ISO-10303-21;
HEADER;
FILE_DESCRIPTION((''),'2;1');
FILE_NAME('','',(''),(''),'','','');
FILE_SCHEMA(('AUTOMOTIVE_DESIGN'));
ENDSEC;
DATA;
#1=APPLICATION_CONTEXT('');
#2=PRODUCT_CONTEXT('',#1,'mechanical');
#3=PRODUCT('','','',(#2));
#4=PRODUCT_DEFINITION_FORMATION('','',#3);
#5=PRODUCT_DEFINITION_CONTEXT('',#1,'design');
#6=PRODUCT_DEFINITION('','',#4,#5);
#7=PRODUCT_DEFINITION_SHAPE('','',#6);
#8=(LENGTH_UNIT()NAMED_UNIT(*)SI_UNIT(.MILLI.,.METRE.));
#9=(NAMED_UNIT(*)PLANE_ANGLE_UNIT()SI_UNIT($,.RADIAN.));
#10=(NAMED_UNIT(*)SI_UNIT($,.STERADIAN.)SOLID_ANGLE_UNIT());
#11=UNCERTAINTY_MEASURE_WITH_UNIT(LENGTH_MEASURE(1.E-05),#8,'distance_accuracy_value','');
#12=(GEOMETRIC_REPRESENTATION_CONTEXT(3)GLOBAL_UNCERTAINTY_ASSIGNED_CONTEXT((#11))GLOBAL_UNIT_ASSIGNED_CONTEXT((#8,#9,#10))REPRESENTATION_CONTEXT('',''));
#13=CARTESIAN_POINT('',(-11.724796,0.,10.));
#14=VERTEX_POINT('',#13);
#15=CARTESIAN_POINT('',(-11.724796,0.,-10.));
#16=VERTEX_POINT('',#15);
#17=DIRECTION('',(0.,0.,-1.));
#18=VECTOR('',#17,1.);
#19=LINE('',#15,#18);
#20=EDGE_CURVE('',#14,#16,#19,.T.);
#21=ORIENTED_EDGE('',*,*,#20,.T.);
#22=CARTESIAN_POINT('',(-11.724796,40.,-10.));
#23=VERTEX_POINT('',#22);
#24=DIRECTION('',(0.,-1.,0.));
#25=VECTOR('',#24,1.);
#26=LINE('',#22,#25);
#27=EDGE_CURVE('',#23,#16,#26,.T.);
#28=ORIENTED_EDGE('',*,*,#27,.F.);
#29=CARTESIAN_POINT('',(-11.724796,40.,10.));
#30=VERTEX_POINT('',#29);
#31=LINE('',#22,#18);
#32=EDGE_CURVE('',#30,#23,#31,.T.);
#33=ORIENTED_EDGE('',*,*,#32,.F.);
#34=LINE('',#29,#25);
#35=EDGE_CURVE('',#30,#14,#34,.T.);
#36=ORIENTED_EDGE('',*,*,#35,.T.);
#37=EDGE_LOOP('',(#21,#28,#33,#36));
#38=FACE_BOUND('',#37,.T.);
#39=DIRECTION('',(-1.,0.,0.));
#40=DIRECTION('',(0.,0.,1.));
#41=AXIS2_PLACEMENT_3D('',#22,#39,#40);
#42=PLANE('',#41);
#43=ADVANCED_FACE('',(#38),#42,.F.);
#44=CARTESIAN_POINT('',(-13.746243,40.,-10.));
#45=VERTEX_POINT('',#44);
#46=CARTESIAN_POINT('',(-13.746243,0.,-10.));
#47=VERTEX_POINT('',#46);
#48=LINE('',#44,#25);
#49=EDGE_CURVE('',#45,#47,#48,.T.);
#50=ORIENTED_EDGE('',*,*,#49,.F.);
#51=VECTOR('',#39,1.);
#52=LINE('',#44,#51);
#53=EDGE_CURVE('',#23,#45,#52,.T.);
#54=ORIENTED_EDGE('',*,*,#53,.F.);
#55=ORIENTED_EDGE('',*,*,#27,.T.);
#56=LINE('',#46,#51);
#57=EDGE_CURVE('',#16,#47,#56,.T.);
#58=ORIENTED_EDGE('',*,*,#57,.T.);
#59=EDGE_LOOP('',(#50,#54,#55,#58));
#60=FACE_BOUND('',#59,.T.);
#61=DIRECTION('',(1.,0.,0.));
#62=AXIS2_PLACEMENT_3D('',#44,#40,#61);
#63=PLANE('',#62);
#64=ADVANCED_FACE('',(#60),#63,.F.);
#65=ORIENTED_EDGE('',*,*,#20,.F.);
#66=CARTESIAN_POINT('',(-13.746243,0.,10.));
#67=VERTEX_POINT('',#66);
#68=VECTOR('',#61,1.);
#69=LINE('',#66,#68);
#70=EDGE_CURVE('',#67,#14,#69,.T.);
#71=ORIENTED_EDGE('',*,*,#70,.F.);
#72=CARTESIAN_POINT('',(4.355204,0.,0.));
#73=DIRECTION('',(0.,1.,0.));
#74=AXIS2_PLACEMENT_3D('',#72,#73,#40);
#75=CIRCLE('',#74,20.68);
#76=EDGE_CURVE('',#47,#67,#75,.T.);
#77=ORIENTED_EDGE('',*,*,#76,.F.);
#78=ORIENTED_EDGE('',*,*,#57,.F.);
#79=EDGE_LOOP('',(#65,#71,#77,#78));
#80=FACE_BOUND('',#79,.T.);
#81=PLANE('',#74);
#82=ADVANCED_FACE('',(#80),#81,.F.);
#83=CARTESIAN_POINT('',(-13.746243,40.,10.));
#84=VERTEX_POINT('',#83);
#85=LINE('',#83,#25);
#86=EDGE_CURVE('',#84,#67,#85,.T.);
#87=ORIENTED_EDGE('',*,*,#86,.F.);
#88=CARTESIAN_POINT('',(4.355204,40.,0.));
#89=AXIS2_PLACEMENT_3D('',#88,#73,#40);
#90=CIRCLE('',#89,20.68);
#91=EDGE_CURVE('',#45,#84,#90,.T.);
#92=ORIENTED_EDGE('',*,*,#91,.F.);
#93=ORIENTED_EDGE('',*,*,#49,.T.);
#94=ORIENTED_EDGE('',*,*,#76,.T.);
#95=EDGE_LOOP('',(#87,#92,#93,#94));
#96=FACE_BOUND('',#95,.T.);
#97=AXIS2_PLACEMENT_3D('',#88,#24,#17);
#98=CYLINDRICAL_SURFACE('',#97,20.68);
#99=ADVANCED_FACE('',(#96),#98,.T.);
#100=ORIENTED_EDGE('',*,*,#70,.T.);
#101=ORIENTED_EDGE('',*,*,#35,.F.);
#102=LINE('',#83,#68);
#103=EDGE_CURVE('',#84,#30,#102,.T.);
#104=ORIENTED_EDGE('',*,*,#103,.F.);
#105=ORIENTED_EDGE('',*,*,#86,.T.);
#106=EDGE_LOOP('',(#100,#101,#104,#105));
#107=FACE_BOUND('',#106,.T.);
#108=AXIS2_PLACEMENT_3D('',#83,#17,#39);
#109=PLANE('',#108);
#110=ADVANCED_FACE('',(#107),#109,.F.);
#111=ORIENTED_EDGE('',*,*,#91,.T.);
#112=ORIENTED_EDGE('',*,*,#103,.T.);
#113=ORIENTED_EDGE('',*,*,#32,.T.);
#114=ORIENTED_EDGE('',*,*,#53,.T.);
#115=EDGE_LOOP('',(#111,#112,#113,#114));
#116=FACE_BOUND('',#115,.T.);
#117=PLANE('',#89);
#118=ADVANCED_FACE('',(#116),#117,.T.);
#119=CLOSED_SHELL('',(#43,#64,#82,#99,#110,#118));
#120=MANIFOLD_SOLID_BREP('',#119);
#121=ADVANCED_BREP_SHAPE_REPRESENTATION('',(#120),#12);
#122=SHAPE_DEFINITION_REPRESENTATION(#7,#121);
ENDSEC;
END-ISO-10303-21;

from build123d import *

# Parameters (mm, degrees)
EXTRUDE_1_DEPTH = 40


with BuildPart() as part:
    # 草图1 → 凸台-拉伸1 (new body)
    with BuildSketch(Plane(origin=(0, 0, 0), x_dir=(1, 0, 0), z_dir=(0, 1, 0))):
        with BuildLine():
            Line((-13.746243121, 10), (-11.724795665, 10))
            Line((-11.724795665, 10), (-11.724795665, -10))
            Line((-11.724795665, -10), (-13.746243121, -10))
            ThreePointArc((-13.746243121, -10), (-16.324795665, 0), (-13.746243121, 10))
        make_face()
    extrude(amount=EXTRUDE_1_DEPTH)


solid = part.part
